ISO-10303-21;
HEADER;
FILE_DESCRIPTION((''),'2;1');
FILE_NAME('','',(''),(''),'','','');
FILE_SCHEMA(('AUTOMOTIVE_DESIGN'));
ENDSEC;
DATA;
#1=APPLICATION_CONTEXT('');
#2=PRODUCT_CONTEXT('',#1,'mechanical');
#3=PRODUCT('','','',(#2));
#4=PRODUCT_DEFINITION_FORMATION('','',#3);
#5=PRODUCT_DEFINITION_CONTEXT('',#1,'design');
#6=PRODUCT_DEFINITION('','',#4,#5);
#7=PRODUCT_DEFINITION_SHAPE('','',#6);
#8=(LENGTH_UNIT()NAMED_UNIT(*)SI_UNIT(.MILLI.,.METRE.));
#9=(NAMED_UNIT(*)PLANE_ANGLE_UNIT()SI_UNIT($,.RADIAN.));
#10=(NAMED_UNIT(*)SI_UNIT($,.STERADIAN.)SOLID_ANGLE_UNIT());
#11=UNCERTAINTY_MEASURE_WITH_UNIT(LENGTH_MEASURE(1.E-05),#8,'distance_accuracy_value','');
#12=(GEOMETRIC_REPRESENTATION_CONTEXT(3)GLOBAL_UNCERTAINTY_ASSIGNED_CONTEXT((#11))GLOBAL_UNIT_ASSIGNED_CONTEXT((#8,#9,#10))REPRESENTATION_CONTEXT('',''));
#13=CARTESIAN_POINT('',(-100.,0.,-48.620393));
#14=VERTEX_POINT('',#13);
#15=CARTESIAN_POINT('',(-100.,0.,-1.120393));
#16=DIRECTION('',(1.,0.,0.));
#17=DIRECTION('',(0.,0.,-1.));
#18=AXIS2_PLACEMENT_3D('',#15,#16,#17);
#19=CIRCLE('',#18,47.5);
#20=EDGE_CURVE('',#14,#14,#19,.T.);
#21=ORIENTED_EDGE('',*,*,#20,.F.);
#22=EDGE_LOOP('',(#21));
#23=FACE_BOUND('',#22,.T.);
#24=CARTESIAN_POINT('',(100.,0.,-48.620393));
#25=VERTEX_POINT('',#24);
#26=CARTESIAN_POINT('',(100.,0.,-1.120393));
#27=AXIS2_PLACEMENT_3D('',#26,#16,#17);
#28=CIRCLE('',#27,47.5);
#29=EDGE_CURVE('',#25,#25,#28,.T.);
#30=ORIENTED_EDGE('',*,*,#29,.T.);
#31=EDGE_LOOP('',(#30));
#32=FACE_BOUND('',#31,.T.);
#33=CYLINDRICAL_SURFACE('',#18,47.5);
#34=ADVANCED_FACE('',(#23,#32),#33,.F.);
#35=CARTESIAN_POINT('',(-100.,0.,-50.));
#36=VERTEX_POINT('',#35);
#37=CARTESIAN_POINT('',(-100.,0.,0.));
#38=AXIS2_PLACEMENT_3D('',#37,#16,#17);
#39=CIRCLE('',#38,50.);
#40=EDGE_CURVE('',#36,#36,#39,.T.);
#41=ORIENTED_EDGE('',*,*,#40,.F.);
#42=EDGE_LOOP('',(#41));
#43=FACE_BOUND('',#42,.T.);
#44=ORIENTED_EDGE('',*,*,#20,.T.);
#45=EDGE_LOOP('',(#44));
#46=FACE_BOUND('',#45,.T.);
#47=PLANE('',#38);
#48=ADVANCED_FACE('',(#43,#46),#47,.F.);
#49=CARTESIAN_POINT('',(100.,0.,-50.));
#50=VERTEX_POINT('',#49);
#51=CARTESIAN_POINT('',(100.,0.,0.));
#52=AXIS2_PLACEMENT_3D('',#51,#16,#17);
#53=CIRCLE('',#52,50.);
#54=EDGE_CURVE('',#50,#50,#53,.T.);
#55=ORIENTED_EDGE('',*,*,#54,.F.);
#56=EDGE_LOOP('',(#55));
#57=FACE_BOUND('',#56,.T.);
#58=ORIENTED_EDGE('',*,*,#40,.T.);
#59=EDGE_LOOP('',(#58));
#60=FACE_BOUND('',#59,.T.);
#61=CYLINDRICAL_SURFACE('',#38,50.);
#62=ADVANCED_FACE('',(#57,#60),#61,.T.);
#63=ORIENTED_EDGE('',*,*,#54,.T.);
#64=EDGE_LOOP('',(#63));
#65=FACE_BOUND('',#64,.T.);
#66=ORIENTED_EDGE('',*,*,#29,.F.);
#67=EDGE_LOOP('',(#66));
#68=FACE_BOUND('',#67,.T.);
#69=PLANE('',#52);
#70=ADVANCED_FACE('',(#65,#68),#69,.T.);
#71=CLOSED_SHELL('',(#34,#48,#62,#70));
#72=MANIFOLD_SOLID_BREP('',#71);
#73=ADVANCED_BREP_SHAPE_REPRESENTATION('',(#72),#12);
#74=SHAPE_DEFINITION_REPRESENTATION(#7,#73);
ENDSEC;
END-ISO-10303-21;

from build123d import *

# Parameters (mm, degrees)
BOSS_EXTRUDE1_DEPTH      = 100
BOSS_EXTRUDE1_DEPTH_BACK = 100
SKETCH1_R                = 50
SKETCH1_R_2              = 47.5


with BuildPart() as part:
    # Sketch1 → Boss-Extrude1 (new, two sides: drawn at the far end of the back side and taken through both)
    with BuildSketch(Plane(origin=(0, 0, 0), x_dir=(0, 0, -1), z_dir=(1, 0, 0)).offset(-BOSS_EXTRUDE1_DEPTH_BACK)):
        Circle(SKETCH1_R)
        with Locations((1.12039307, 0)):
            Circle(SKETCH1_R_2, mode=Mode.SUBTRACT)
    extrude(amount=BOSS_EXTRUDE1_DEPTH + BOSS_EXTRUDE1_DEPTH_BACK)


solid = part.part
